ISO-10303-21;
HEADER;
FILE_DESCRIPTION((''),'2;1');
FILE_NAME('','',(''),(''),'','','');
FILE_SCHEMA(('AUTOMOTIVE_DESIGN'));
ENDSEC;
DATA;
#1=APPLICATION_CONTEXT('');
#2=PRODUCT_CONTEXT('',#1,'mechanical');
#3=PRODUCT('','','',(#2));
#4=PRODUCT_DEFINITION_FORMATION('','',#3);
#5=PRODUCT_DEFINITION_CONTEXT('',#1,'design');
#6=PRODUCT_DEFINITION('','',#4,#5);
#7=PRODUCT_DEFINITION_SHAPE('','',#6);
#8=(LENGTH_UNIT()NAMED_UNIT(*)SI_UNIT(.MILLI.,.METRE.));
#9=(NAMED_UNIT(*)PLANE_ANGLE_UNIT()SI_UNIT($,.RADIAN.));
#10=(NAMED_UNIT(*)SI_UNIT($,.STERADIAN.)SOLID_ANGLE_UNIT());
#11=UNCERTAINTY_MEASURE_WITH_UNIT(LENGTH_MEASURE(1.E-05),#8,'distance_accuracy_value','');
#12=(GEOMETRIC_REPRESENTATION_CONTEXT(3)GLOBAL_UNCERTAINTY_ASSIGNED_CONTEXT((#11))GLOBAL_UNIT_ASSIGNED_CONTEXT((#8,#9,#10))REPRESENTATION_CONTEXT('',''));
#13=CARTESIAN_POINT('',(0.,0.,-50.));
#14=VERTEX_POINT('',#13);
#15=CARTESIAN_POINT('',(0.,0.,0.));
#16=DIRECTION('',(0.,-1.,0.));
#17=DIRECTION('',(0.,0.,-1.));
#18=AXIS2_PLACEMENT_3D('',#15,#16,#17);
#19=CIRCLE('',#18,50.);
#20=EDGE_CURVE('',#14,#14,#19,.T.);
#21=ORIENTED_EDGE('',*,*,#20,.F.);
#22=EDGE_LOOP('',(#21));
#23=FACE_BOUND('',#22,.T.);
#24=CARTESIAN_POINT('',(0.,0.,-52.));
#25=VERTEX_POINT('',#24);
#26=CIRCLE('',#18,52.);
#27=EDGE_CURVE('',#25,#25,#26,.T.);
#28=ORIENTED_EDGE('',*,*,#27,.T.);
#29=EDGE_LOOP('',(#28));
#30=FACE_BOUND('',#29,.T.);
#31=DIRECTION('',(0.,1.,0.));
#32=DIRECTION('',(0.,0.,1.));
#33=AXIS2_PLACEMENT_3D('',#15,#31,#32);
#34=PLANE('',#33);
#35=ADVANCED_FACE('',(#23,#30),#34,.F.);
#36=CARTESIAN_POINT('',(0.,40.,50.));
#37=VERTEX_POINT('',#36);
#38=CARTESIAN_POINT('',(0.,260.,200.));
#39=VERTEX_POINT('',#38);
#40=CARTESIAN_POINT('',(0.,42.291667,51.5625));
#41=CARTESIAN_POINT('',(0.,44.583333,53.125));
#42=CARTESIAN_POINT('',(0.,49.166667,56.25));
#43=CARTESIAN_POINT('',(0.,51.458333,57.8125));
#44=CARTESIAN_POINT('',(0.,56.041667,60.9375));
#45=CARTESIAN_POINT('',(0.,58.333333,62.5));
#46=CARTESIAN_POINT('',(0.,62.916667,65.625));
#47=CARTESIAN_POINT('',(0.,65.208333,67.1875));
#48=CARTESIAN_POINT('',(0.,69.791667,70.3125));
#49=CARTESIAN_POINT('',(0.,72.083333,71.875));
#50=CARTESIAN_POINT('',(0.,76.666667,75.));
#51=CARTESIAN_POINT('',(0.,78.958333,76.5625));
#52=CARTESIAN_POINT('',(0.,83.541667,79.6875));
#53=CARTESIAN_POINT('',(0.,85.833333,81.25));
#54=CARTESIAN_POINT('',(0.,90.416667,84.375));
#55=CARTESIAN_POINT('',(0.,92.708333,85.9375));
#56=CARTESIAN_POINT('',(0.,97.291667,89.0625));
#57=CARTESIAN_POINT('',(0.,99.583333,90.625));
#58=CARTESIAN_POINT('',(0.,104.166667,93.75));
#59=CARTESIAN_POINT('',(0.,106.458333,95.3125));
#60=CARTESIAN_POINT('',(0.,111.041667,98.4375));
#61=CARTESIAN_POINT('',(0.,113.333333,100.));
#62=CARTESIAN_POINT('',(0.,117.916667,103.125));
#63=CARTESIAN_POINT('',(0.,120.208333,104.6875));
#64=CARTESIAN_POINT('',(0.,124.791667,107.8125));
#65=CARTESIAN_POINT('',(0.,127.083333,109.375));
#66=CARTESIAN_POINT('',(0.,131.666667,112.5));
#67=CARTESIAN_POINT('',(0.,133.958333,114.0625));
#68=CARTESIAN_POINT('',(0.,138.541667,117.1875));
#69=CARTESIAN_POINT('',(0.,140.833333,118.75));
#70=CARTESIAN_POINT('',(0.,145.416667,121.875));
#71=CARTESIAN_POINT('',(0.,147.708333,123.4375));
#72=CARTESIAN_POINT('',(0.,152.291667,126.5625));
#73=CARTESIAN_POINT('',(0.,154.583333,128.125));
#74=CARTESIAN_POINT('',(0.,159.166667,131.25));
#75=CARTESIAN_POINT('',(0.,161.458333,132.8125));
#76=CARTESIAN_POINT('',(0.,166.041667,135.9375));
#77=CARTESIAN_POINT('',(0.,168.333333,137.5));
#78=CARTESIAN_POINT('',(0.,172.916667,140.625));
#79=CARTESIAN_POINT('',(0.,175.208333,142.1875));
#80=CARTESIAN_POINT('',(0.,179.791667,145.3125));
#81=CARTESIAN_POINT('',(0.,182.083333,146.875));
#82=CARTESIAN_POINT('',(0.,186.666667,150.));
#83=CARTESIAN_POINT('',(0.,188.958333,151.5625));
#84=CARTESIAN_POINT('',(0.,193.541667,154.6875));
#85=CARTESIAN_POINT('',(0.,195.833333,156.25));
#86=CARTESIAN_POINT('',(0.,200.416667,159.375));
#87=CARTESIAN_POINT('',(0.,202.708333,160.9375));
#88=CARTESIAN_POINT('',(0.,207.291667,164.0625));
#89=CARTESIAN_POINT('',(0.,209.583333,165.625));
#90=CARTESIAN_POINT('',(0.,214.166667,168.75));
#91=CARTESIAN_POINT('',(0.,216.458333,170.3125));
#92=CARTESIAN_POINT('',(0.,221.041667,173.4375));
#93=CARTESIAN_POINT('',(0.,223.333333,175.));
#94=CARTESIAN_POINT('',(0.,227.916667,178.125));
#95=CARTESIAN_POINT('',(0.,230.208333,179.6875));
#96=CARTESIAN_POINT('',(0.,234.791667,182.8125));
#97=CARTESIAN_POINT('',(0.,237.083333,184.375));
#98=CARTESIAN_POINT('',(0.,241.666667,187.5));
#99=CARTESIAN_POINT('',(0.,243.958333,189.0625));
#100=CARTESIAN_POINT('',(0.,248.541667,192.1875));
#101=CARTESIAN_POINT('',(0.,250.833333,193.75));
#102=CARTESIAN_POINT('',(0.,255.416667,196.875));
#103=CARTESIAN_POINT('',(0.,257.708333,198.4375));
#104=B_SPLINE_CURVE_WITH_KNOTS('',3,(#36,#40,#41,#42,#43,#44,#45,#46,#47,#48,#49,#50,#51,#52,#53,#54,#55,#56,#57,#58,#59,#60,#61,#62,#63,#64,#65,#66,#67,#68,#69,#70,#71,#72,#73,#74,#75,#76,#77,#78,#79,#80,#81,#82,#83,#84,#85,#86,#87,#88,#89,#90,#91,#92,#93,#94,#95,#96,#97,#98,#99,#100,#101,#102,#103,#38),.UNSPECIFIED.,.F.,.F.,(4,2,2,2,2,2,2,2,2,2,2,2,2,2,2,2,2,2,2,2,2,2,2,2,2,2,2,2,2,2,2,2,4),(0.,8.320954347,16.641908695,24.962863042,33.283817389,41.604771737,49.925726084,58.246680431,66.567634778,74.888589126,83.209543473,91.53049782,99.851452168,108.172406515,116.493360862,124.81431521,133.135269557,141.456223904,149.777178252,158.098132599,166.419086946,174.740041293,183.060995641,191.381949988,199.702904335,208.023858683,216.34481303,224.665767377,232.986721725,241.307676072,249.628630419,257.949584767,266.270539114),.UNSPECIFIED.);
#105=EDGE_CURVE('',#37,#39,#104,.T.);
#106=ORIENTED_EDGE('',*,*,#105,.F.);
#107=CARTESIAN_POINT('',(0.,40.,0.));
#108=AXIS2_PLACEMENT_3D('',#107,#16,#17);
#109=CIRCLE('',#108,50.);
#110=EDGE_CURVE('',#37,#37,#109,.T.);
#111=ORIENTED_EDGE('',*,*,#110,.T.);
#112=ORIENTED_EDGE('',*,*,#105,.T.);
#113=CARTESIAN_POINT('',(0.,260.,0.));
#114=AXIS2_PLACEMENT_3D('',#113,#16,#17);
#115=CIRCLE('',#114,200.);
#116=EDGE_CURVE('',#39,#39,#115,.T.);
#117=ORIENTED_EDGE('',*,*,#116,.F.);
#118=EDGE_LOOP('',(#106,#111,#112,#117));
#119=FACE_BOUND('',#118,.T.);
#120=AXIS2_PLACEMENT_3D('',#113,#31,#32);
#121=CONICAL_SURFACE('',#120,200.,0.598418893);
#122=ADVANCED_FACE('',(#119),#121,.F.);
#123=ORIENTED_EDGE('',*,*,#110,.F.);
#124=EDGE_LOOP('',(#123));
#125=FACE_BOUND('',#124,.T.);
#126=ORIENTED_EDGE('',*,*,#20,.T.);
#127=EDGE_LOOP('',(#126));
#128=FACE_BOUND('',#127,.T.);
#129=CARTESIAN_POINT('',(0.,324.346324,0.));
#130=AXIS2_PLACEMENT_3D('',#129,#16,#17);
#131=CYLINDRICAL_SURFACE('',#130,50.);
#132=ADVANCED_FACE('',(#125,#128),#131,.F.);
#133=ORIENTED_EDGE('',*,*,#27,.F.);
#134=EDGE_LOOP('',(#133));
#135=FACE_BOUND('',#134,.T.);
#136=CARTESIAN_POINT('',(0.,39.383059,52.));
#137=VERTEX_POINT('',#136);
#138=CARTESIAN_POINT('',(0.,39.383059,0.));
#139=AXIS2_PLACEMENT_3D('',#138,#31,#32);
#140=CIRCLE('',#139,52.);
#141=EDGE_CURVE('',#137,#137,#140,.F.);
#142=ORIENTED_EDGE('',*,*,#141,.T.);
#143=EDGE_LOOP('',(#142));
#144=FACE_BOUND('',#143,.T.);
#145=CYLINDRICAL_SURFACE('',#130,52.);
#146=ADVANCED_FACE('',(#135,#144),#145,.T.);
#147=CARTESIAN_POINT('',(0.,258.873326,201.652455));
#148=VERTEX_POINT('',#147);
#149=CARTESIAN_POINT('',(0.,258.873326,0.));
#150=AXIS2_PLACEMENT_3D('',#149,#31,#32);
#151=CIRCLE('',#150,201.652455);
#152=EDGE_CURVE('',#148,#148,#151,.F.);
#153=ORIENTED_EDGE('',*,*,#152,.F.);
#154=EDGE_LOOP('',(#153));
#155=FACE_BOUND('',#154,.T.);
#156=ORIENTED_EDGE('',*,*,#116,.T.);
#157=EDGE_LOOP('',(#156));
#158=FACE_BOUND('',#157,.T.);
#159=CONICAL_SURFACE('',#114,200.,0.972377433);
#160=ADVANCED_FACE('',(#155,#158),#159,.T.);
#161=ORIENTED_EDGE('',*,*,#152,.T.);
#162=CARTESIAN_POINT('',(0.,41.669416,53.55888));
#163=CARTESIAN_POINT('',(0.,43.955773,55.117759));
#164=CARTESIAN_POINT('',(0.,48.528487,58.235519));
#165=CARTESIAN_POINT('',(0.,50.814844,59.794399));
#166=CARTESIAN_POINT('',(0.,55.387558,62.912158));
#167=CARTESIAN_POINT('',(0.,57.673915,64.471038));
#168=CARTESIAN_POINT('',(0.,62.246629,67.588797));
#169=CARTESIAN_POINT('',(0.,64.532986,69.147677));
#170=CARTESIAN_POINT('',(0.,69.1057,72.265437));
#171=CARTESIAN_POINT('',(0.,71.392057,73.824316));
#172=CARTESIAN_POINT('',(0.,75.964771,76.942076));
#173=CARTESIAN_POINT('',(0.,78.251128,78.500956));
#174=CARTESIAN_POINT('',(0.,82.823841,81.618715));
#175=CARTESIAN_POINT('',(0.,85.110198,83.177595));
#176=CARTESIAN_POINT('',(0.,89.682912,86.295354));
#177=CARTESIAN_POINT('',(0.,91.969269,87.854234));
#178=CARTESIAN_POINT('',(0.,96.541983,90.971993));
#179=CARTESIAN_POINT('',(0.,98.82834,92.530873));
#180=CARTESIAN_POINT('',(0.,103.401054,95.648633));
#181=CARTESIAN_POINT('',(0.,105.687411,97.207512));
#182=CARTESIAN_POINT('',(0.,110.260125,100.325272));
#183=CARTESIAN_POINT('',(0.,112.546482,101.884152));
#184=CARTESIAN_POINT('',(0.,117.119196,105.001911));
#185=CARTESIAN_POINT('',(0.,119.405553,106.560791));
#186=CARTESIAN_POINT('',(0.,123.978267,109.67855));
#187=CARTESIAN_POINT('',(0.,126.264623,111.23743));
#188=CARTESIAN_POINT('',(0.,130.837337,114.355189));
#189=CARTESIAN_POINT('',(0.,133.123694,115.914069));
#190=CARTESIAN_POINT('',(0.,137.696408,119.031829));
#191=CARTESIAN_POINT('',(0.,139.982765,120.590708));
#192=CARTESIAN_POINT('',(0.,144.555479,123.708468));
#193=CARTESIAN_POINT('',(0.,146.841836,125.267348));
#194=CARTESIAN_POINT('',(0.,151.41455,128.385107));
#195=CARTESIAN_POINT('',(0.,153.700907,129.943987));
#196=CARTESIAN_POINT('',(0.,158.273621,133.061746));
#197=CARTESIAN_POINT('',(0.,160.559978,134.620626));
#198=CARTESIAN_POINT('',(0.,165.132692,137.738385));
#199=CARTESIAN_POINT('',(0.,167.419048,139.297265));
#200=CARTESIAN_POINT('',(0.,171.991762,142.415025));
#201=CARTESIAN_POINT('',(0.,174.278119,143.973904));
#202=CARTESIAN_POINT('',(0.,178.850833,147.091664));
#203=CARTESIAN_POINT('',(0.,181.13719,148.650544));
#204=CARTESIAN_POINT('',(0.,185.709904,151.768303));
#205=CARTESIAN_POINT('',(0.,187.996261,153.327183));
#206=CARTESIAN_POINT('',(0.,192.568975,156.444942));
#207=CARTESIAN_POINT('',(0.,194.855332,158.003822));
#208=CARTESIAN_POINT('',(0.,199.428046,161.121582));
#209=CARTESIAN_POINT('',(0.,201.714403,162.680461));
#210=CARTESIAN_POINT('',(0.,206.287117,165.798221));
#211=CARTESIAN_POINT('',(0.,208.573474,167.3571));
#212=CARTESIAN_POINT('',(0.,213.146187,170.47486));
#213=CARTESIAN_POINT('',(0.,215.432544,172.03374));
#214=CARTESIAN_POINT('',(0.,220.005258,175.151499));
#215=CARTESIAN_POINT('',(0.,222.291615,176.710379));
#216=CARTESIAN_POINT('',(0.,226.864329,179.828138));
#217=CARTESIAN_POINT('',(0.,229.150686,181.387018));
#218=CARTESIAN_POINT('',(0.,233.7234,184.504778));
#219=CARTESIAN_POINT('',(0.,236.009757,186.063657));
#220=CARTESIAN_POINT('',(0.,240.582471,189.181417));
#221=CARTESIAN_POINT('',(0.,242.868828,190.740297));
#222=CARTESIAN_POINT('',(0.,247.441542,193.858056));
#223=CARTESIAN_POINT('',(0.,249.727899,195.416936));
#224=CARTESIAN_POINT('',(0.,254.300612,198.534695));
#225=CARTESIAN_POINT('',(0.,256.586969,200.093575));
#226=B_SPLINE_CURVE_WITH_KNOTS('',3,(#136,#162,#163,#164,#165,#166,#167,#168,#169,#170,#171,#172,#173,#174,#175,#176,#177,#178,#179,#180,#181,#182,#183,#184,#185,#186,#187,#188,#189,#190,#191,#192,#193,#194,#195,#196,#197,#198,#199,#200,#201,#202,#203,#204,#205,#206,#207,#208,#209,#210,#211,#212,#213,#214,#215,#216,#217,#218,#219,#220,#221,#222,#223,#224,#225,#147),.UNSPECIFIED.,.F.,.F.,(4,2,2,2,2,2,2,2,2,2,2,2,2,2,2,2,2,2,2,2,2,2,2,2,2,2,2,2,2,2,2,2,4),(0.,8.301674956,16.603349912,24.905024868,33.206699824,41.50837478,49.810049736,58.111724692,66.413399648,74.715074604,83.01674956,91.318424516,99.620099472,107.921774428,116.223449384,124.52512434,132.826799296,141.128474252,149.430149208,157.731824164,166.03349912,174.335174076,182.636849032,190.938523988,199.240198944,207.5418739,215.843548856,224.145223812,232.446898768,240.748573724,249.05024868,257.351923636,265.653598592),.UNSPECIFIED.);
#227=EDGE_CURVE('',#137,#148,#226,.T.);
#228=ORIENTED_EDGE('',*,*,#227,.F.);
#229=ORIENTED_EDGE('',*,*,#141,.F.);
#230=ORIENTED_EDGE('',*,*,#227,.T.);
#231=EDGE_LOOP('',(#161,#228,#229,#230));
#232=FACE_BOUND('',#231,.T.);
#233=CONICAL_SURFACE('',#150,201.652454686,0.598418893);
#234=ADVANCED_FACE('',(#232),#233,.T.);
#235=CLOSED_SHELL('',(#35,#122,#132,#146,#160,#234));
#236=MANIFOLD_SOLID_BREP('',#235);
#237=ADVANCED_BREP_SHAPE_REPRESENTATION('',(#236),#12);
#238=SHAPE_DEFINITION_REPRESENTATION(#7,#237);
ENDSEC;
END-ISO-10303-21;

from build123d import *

# Parameters (mm, degrees)
THICKEN1_T1 = 2


with BuildPart() as body_1:
    # Surface-Revolve1: a surface, the sketch's curves turned about an axis
    with BuildLine(Plane.XY, mode=Mode.PRIVATE) as surface_revolve1_1_path:
        Line((200, 260), (50, 40))
        Line((50, 40), (50, 0))
    surface_revolve1_1 = Shell.revolve(surface_revolve1_1_path.wire(), 360, Axis((0, 324.346324007, 0), (0, -1, 0)))
    add(Solid.thicken(surface_revolve1_1, THICKEN1_T1))


solid = body_1.part
